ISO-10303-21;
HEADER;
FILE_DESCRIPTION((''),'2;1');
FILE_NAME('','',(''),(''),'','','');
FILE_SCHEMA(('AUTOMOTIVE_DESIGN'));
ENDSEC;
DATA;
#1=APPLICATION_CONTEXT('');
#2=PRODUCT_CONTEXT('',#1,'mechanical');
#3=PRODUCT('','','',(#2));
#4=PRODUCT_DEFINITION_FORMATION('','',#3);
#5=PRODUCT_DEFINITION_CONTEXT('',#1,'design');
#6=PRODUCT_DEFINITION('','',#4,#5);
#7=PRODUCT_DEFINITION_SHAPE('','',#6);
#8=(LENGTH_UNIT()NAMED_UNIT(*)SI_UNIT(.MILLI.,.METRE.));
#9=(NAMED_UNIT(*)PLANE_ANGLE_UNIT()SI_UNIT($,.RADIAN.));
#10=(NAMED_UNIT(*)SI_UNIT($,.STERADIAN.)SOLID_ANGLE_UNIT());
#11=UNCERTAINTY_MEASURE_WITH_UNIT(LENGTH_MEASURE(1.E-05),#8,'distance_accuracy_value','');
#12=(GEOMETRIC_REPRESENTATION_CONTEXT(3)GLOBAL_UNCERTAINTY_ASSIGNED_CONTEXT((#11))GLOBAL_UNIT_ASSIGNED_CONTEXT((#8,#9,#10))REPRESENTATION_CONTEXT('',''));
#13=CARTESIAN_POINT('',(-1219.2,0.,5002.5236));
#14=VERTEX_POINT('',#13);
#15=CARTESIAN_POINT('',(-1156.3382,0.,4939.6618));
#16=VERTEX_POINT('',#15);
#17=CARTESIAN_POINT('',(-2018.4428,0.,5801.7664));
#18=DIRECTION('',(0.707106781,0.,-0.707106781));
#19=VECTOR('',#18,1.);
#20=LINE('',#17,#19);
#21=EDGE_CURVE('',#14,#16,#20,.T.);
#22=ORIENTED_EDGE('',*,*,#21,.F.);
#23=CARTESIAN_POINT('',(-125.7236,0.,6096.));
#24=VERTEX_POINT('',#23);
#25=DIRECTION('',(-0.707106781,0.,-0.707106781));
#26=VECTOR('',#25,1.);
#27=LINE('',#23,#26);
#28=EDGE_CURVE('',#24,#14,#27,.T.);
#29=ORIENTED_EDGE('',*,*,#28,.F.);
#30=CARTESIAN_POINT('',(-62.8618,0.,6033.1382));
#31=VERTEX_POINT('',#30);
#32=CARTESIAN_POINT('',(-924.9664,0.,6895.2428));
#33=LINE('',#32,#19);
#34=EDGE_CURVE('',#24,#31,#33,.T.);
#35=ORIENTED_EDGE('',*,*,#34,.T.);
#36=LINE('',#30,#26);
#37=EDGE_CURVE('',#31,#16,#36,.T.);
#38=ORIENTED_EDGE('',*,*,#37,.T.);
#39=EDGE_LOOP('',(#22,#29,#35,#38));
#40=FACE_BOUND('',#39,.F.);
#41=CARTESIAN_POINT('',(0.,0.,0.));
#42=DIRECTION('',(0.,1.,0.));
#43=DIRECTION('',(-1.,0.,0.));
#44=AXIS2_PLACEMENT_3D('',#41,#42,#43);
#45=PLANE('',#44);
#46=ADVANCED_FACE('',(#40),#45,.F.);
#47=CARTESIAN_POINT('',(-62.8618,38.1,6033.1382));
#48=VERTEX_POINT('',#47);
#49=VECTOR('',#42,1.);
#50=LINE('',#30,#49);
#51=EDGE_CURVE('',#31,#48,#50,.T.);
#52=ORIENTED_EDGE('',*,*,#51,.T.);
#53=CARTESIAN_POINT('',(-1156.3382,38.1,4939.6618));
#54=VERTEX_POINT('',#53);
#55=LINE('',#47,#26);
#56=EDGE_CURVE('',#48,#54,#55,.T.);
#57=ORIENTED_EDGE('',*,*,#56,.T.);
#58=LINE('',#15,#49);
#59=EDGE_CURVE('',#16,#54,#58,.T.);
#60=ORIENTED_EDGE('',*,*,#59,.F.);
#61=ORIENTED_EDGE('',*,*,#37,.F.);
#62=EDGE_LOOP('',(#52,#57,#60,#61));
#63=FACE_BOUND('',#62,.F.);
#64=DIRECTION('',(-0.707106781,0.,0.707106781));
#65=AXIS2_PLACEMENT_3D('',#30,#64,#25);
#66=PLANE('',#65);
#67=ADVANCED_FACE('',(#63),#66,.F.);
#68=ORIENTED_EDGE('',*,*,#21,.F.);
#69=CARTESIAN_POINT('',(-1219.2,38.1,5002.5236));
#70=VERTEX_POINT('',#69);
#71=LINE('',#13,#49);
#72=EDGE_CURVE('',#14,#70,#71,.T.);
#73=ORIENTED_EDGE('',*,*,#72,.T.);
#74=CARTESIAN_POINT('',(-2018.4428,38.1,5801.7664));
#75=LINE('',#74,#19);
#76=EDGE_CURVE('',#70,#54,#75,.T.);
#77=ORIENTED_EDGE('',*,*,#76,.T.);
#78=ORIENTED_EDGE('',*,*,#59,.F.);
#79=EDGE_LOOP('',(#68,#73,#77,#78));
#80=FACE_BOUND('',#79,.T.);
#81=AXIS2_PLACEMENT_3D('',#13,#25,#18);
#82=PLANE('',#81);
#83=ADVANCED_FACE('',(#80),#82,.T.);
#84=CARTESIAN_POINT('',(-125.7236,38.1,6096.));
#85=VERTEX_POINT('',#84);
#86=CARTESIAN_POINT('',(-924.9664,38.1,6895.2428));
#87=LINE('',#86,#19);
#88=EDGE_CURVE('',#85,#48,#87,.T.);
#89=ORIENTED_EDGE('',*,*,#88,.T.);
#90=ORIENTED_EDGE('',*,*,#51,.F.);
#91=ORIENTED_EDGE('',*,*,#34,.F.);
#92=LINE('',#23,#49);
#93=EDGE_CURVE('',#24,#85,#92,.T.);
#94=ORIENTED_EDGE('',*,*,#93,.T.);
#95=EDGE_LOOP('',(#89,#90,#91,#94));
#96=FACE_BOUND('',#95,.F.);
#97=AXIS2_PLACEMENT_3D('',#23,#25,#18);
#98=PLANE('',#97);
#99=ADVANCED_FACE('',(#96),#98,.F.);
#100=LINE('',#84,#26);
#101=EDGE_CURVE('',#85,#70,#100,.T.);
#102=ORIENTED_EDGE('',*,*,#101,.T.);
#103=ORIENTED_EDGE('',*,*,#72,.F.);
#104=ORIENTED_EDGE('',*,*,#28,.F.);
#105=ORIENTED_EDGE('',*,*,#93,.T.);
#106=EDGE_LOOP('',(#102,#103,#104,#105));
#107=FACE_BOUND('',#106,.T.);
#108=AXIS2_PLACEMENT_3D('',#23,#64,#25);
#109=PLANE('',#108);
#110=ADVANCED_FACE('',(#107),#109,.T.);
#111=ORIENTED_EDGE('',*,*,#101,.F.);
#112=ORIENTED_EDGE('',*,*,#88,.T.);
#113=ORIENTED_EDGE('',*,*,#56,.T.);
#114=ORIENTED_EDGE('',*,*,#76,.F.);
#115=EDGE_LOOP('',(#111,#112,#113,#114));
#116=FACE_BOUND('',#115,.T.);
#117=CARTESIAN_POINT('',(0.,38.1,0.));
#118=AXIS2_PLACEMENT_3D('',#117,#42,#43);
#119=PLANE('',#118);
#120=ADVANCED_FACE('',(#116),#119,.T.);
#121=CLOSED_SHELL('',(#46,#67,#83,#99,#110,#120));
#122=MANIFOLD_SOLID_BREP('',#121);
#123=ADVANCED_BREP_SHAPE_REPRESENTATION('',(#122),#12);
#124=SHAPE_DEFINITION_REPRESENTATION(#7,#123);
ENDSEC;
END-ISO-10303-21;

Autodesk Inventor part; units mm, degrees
ref_plane "YZ Plane" through (0, 0, 0) normal (1, 0, 0) x (0, 1, 0)
ref_plane "XZ Plane" through (0, 0, 0) normal (0, 1, 0) x (-1, 0, 0)
ref_plane "XY Plane" through (0, 0, 0) normal (0, 0, 1) x (1, 0, 0)
sketch "Sketch1" plane through (0, 0, 0) normal (0, 1, 0) x (-1, 0, 0)
  line L0 (0, 0) -> (0, -1219.2)
  line L1 (0, 0) -> (88.9, 0)
  line L2 (88.9, 0) -> (88.9, -1219.2)
  line L3 (88.9, -1219.2) -> (0, -1219.2)
  line L4 (0, 0) -> (0, 1219.2) construction
  line L5 (0, 1219.2) -> (1219.2, 1219.2) construction
  line L6 (0, 1219.2) -> (0, 3657.6) construction
  line L7 (0, 3657.6) -> (0, 4876.8) construction
  line L8 (0, 4876.8) -> (0, 6096) construction
  line L9 (0, -1219.2) -> (2438.4, -1219.2) construction
  line L10 (0, 6096) -> (2438.4, 6096) construction
  line L11 (2438.4, 6096) -> (2438.4, -1219.2) construction
  line L12 (0, 3657.6) -> (0, 3352.8) construction
  line L13 (0, 3352.8) -> (2438.4, 3352.8) construction
  line L14 (2438.4, 3352.8) -> (1219.2, 3352.8)
  line L15 (1219.2, 3352.8) -> (1219.2, 3263.9)
  line L16 (1219.2, 3263.9) -> (2438.4, 3263.9)
  line L17 (2438.4, 3263.9) -> (2438.4, 3352.8)
  line L18 (0, 6096) -> (862.1046, 6958.1046)
  line L19 (862.1046, 6958.1046) -> (924.9664, 6895.2428)
  line L20 (924.9664, 6895.2428) -> (62.8618, 6033.1382)
  line L21 (62.8618, 6033.1382) -> (0, 6096)
  line L22 (0, 4876.8) -> (1219.2, 4876.8) construction
  line L23 (1219.2, 4876.8) -> (2081.3046, 5738.9046)
  line L24 (1219.2, 1219.2) -> (2081.3046, 357.0954)
  line L25 (2081.3046, 357.0954) -> (2018.4428, 294.2336)
  line L26 (2018.4428, 294.2336) -> (1156.3382, 1156.3382)
  line L27 (1156.3382, 1156.3382) -> (1219.2, 1219.2)
  line L28 (2018.4428, 294.2336) -> (88.9, -1219.2)
  line L29 (2081.3046, 357.0954) -> (2144.1664, 419.9572)
  line L30 (2144.1664, 419.9572) -> (1282.0618, 1282.0618)
  line L31 (1282.0618, 1282.0618) -> (1219.2, 1219.2)
  line L32 (2438.4, 3352.8) -> (2438.4, 3441.7)
  line L33 (2438.4, 3441.7) -> (1219.2, 3441.7)
  line L34 (1219.2, 3441.7) -> (1219.2, 3352.8)
  line L35 (1156.3382, 4939.6618) -> (1282.0618, 4813.9382)
  line L36 (2018.4428, 5801.7664) -> (2144.1664, 5676.0428)
  line L37 (1282.0618, 4813.9382) -> (2144.1664, 5676.0428)
  line L38 (2018.4428, 5801.7664) -> (1156.3382, 4939.6618)
  line L39 (2018.4428, 5801.7664) -> (924.9664, 6895.2428)
  line L40 (62.8618, 6033.1382) -> (1156.3382, 4939.6618)
  line L41 (1233.6206, 4168.8855) -> (1267.6412, 4086.7527)
  line L42 (1263.7078, 2313.9849) -> (1230.0006, 2231.7229)
  arc A0 (862.1046, 6958.1046) -> (0, 6096) centre (431.0523, 6527.0523) ccw
  line L43 (1246.8542, 2272.8539) -> (2375.0183, 1810.583)
  line L44 (2391.8719, 1851.7139) -> (2358.1646, 1769.452)
  line L45 (2391.8719, 1851.7139) -> (1263.7078, 2313.9849)
  line L46 (1230.0006, 2231.7229) -> (2358.1646, 1769.452)
  line L47 (1230.0006, 2231.7229) -> (1219.2, 3263.9)
  line L48 (2144.1664, 419.9572) -> (2391.8719, 1851.7139)
  line L49 (2391.8719, 1851.7139) -> (2438.4, 3263.9)
  line L50 (1219.2, 3441.7) -> (1233.6206, 4168.8855)
  line L51 (1250.6309, 4127.8191) -> (2377.0248, 4594.3867)
  line L52 (2360.0145, 4635.4532) -> (2394.0351, 4553.3203)
  line L53 (2394.0351, 4553.3203) -> (1267.6412, 4086.7527)
  line L54 (2360.0145, 4635.4532) -> (1233.6206, 4168.8855)
  line L55 (2394.0351, 4553.3203) -> (2144.1664, 5676.0428)
  line L56 (2438.4, 3441.7) -> (2394.0351, 4553.3203)
  line L57 (2144.1664, 5676.0428) -> (2057.3895, 5656.7301)
  line L58 (2394.0351, 4553.3203) -> (2305.2058, 4549.7751)
  line L59 (2394.0351, 4553.3203) -> (2307.2582, 4534.0076)
  line L60 (2307.2582, 4534.0076) -> (2057.3895, 5656.7301)
  line L61 (2438.4, 3441.7) -> (2349.5707, 3438.1548)
  line L62 (2349.5707, 3438.1548) -> (2305.2058, 4549.7751)
  line L63 (1219.2, 3441.7) -> (1308.0825, 3439.9374)
  line L64 (1233.6206, 4168.8855) -> (1322.5031, 4167.1229)
  line L65 (1322.5031, 4167.1229) -> (1308.0825, 3439.9374)
  line L66 (2018.4428, 5801.7664) -> (1955.581, 5738.9046)
  line L67 (1955.581, 5738.9046) -> (862.1046, 6832.381)
  line L68 (924.9664, 6895.2428) -> (862.1046, 6832.381)
  line L69 (62.8618, 6033.1382) -> (125.7236, 6096)
  line L70 (62.8618, 6033.1382) -> (125.7236, 6096)
  line L71 (125.7236, 6096) -> (1219.2, 5002.5236)
  line L72 (1156.3382, 1156.3382) -> (0, 0)
  line L73 (0, 0) -> (62.8618, -62.8618)
  line L74 (1156.3382, 1156.3382) -> (1219.2, 1093.4764)
  line L75 (1219.2, 1093.4764) -> (62.8618, -62.8618)
  line L76 (2018.4428, 294.2336) -> (1963.5776, 364.1837)
  line L77 (88.9, -1219.2) -> (34.0348, -1149.2499)
  line L78 (34.0348, -1149.2499) -> (1963.5776, 364.1837)
  line L79 (2144.1664, 419.9572) -> (2056.5677, 435.1125)
  line L80 (2391.8719, 1851.7139) -> (2304.2732, 1866.8692)
  line L81 (2391.8719, 1851.7139) -> (2303.0201, 1854.6414)
  line L82 (2304.2732, 1866.8692) -> (2056.5677, 435.1125)
  line L83 (1230.0006, 2231.7229) -> (1318.8957, 2232.6531)
  line L84 (1219.2, 3263.9) -> (1308.0951, 3264.8302)
  line L85 (1308.0951, 3264.8302) -> (1318.8957, 2232.6531)
  line L86 (2438.4, 3263.9) -> (2349.5482, 3266.8275)
  line L87 (2349.5482, 3266.8275) -> (2303.0201, 1854.6414)
  line L88 (88.9, 0) -> (125.7236, 0)
  line L89 (1233.6206, 4168.8855) -> (1219.2, 4876.8)
  line L90 (1233.6206, 4168.8855) -> (1322.5022, 4170.6961)
  line L91 (1219.2, 4876.8) -> (1308.0816, 4878.6106)
  line L92 (1308.0816, 4878.6106) -> (1322.5022, 4170.6961)
  line L93 (1282.0618, 4813.9382) -> (1309.9674, 4786.0326)
  line L94 (1267.6412, 4086.7527) -> (1318.4756, 3964.0275)
  line L95 (2360.0145, 4635.4532) -> (2374.4273, 4641.4231)
  line L96 (1230.0006, 2231.7229) -> (1219.2, 1219.2)
  line L97 (1230.0006, 2231.7229) -> (1318.8955, 2230.7747)
  line L98 (1219.2, 1219.2) -> (1308.0949, 1218.2518)
  line L99 (1308.0949, 1218.2518) -> (1318.8955, 2230.7747)
  line L100 (1282.0618, 1282.0618) -> (1309.0636, 1309.0636)
  line L101 (1263.7078, 2313.9849) -> (1316.7428, 2438.4)
  line L102 (2358.1646, 1769.452) -> (2376.5379, 1763.082)
  point P0 (1770.957, 2057.4547)
  point P1 (1955.1236, 357.5528)
  point P2 (88.9, -1106.2164)
  point P3 (2292.1025, 1796.5213)
  point P4 (2067.2525, 496.8711)
  point P5 (1318.5187, 2195.4522)
  point P6 (1308.1049, 3263.9)
  point P7 (2349.4518, 3263.9)
  point P8 (2304.1085, 1887.6754)
  point P9 (2306.5112, 4517.0667)
  point P10 (2349.4292, 3441.7)
  point P11 (1308.1175, 3441.7)
  point P12 (2069.6708, 5601.5472)
  point P13 (2291.0394, 4606.8827)
  point P14 (1321.7951, 4205.4086)
  dimension "d0" = 1219.2
  dimension "d2" = 1219.2
  dimension "d3" = 1219.2
  dimension "d16" = 2438.4
  dimension "d17" = 1219.2
  dimension "d18" = 1219.2
  dimension "d20" = 2438.4
  dimension "d21" = 304.8
  dimension "d22" = 1219.2
  dimension "d23" = 88.9
  dimension "d24" = 1219.2
  dimension "d25" = 45
  dimension "d26" = 88.9
  dimension "d27" = 1219.2
  dimension "d28" = 1219.2
  dimension "d29" = 1219.2
  dimension "d31" = 1219.2
  dimension "d32" = 88.9
  dimension "d33" = 88.9
  dimension "d34" = 88.9
  dimension "d35" = 177.8
  dimension "d36" = 177.8
  dimension "d38" = 88.9
  dimension "d39" = 88.9
  dimension "d43" = 1219.2
  dimension "d44" = 88.9
  dimension "d45" = 1219.2
  dimension "d46" = 88.9
  dimension "d47" = 88.9
  dimension "d48" = 88.9
  dimension "d49" = 88.9
  dimension "d50" = 88.9
  dimension "d51" = 88.9
  dimension "d54" = 88.9
  dimension "d55" = 88.9
  dimension "d57" = 88.9
  dimension "d58" = 88.9
  dimension "d59" = 88.9
  dimension "d60" = 88.9
  dimension "d61" = 88.9
  dimension "d64" = 88.9
  dimension "d65" = 88.9
  dimension "d66" = 88.9
  dimension "d69" = 88.9
  dimension "d70" = 88.9
  dimension "d71" = 88.9
  dimension "d72" = 88.9
extrude "Extrusion2" add sketch "Sketch1" along normal blind 38.1 contours L40 L20 L71 L38
properties part number "S_2x4x60.882"
